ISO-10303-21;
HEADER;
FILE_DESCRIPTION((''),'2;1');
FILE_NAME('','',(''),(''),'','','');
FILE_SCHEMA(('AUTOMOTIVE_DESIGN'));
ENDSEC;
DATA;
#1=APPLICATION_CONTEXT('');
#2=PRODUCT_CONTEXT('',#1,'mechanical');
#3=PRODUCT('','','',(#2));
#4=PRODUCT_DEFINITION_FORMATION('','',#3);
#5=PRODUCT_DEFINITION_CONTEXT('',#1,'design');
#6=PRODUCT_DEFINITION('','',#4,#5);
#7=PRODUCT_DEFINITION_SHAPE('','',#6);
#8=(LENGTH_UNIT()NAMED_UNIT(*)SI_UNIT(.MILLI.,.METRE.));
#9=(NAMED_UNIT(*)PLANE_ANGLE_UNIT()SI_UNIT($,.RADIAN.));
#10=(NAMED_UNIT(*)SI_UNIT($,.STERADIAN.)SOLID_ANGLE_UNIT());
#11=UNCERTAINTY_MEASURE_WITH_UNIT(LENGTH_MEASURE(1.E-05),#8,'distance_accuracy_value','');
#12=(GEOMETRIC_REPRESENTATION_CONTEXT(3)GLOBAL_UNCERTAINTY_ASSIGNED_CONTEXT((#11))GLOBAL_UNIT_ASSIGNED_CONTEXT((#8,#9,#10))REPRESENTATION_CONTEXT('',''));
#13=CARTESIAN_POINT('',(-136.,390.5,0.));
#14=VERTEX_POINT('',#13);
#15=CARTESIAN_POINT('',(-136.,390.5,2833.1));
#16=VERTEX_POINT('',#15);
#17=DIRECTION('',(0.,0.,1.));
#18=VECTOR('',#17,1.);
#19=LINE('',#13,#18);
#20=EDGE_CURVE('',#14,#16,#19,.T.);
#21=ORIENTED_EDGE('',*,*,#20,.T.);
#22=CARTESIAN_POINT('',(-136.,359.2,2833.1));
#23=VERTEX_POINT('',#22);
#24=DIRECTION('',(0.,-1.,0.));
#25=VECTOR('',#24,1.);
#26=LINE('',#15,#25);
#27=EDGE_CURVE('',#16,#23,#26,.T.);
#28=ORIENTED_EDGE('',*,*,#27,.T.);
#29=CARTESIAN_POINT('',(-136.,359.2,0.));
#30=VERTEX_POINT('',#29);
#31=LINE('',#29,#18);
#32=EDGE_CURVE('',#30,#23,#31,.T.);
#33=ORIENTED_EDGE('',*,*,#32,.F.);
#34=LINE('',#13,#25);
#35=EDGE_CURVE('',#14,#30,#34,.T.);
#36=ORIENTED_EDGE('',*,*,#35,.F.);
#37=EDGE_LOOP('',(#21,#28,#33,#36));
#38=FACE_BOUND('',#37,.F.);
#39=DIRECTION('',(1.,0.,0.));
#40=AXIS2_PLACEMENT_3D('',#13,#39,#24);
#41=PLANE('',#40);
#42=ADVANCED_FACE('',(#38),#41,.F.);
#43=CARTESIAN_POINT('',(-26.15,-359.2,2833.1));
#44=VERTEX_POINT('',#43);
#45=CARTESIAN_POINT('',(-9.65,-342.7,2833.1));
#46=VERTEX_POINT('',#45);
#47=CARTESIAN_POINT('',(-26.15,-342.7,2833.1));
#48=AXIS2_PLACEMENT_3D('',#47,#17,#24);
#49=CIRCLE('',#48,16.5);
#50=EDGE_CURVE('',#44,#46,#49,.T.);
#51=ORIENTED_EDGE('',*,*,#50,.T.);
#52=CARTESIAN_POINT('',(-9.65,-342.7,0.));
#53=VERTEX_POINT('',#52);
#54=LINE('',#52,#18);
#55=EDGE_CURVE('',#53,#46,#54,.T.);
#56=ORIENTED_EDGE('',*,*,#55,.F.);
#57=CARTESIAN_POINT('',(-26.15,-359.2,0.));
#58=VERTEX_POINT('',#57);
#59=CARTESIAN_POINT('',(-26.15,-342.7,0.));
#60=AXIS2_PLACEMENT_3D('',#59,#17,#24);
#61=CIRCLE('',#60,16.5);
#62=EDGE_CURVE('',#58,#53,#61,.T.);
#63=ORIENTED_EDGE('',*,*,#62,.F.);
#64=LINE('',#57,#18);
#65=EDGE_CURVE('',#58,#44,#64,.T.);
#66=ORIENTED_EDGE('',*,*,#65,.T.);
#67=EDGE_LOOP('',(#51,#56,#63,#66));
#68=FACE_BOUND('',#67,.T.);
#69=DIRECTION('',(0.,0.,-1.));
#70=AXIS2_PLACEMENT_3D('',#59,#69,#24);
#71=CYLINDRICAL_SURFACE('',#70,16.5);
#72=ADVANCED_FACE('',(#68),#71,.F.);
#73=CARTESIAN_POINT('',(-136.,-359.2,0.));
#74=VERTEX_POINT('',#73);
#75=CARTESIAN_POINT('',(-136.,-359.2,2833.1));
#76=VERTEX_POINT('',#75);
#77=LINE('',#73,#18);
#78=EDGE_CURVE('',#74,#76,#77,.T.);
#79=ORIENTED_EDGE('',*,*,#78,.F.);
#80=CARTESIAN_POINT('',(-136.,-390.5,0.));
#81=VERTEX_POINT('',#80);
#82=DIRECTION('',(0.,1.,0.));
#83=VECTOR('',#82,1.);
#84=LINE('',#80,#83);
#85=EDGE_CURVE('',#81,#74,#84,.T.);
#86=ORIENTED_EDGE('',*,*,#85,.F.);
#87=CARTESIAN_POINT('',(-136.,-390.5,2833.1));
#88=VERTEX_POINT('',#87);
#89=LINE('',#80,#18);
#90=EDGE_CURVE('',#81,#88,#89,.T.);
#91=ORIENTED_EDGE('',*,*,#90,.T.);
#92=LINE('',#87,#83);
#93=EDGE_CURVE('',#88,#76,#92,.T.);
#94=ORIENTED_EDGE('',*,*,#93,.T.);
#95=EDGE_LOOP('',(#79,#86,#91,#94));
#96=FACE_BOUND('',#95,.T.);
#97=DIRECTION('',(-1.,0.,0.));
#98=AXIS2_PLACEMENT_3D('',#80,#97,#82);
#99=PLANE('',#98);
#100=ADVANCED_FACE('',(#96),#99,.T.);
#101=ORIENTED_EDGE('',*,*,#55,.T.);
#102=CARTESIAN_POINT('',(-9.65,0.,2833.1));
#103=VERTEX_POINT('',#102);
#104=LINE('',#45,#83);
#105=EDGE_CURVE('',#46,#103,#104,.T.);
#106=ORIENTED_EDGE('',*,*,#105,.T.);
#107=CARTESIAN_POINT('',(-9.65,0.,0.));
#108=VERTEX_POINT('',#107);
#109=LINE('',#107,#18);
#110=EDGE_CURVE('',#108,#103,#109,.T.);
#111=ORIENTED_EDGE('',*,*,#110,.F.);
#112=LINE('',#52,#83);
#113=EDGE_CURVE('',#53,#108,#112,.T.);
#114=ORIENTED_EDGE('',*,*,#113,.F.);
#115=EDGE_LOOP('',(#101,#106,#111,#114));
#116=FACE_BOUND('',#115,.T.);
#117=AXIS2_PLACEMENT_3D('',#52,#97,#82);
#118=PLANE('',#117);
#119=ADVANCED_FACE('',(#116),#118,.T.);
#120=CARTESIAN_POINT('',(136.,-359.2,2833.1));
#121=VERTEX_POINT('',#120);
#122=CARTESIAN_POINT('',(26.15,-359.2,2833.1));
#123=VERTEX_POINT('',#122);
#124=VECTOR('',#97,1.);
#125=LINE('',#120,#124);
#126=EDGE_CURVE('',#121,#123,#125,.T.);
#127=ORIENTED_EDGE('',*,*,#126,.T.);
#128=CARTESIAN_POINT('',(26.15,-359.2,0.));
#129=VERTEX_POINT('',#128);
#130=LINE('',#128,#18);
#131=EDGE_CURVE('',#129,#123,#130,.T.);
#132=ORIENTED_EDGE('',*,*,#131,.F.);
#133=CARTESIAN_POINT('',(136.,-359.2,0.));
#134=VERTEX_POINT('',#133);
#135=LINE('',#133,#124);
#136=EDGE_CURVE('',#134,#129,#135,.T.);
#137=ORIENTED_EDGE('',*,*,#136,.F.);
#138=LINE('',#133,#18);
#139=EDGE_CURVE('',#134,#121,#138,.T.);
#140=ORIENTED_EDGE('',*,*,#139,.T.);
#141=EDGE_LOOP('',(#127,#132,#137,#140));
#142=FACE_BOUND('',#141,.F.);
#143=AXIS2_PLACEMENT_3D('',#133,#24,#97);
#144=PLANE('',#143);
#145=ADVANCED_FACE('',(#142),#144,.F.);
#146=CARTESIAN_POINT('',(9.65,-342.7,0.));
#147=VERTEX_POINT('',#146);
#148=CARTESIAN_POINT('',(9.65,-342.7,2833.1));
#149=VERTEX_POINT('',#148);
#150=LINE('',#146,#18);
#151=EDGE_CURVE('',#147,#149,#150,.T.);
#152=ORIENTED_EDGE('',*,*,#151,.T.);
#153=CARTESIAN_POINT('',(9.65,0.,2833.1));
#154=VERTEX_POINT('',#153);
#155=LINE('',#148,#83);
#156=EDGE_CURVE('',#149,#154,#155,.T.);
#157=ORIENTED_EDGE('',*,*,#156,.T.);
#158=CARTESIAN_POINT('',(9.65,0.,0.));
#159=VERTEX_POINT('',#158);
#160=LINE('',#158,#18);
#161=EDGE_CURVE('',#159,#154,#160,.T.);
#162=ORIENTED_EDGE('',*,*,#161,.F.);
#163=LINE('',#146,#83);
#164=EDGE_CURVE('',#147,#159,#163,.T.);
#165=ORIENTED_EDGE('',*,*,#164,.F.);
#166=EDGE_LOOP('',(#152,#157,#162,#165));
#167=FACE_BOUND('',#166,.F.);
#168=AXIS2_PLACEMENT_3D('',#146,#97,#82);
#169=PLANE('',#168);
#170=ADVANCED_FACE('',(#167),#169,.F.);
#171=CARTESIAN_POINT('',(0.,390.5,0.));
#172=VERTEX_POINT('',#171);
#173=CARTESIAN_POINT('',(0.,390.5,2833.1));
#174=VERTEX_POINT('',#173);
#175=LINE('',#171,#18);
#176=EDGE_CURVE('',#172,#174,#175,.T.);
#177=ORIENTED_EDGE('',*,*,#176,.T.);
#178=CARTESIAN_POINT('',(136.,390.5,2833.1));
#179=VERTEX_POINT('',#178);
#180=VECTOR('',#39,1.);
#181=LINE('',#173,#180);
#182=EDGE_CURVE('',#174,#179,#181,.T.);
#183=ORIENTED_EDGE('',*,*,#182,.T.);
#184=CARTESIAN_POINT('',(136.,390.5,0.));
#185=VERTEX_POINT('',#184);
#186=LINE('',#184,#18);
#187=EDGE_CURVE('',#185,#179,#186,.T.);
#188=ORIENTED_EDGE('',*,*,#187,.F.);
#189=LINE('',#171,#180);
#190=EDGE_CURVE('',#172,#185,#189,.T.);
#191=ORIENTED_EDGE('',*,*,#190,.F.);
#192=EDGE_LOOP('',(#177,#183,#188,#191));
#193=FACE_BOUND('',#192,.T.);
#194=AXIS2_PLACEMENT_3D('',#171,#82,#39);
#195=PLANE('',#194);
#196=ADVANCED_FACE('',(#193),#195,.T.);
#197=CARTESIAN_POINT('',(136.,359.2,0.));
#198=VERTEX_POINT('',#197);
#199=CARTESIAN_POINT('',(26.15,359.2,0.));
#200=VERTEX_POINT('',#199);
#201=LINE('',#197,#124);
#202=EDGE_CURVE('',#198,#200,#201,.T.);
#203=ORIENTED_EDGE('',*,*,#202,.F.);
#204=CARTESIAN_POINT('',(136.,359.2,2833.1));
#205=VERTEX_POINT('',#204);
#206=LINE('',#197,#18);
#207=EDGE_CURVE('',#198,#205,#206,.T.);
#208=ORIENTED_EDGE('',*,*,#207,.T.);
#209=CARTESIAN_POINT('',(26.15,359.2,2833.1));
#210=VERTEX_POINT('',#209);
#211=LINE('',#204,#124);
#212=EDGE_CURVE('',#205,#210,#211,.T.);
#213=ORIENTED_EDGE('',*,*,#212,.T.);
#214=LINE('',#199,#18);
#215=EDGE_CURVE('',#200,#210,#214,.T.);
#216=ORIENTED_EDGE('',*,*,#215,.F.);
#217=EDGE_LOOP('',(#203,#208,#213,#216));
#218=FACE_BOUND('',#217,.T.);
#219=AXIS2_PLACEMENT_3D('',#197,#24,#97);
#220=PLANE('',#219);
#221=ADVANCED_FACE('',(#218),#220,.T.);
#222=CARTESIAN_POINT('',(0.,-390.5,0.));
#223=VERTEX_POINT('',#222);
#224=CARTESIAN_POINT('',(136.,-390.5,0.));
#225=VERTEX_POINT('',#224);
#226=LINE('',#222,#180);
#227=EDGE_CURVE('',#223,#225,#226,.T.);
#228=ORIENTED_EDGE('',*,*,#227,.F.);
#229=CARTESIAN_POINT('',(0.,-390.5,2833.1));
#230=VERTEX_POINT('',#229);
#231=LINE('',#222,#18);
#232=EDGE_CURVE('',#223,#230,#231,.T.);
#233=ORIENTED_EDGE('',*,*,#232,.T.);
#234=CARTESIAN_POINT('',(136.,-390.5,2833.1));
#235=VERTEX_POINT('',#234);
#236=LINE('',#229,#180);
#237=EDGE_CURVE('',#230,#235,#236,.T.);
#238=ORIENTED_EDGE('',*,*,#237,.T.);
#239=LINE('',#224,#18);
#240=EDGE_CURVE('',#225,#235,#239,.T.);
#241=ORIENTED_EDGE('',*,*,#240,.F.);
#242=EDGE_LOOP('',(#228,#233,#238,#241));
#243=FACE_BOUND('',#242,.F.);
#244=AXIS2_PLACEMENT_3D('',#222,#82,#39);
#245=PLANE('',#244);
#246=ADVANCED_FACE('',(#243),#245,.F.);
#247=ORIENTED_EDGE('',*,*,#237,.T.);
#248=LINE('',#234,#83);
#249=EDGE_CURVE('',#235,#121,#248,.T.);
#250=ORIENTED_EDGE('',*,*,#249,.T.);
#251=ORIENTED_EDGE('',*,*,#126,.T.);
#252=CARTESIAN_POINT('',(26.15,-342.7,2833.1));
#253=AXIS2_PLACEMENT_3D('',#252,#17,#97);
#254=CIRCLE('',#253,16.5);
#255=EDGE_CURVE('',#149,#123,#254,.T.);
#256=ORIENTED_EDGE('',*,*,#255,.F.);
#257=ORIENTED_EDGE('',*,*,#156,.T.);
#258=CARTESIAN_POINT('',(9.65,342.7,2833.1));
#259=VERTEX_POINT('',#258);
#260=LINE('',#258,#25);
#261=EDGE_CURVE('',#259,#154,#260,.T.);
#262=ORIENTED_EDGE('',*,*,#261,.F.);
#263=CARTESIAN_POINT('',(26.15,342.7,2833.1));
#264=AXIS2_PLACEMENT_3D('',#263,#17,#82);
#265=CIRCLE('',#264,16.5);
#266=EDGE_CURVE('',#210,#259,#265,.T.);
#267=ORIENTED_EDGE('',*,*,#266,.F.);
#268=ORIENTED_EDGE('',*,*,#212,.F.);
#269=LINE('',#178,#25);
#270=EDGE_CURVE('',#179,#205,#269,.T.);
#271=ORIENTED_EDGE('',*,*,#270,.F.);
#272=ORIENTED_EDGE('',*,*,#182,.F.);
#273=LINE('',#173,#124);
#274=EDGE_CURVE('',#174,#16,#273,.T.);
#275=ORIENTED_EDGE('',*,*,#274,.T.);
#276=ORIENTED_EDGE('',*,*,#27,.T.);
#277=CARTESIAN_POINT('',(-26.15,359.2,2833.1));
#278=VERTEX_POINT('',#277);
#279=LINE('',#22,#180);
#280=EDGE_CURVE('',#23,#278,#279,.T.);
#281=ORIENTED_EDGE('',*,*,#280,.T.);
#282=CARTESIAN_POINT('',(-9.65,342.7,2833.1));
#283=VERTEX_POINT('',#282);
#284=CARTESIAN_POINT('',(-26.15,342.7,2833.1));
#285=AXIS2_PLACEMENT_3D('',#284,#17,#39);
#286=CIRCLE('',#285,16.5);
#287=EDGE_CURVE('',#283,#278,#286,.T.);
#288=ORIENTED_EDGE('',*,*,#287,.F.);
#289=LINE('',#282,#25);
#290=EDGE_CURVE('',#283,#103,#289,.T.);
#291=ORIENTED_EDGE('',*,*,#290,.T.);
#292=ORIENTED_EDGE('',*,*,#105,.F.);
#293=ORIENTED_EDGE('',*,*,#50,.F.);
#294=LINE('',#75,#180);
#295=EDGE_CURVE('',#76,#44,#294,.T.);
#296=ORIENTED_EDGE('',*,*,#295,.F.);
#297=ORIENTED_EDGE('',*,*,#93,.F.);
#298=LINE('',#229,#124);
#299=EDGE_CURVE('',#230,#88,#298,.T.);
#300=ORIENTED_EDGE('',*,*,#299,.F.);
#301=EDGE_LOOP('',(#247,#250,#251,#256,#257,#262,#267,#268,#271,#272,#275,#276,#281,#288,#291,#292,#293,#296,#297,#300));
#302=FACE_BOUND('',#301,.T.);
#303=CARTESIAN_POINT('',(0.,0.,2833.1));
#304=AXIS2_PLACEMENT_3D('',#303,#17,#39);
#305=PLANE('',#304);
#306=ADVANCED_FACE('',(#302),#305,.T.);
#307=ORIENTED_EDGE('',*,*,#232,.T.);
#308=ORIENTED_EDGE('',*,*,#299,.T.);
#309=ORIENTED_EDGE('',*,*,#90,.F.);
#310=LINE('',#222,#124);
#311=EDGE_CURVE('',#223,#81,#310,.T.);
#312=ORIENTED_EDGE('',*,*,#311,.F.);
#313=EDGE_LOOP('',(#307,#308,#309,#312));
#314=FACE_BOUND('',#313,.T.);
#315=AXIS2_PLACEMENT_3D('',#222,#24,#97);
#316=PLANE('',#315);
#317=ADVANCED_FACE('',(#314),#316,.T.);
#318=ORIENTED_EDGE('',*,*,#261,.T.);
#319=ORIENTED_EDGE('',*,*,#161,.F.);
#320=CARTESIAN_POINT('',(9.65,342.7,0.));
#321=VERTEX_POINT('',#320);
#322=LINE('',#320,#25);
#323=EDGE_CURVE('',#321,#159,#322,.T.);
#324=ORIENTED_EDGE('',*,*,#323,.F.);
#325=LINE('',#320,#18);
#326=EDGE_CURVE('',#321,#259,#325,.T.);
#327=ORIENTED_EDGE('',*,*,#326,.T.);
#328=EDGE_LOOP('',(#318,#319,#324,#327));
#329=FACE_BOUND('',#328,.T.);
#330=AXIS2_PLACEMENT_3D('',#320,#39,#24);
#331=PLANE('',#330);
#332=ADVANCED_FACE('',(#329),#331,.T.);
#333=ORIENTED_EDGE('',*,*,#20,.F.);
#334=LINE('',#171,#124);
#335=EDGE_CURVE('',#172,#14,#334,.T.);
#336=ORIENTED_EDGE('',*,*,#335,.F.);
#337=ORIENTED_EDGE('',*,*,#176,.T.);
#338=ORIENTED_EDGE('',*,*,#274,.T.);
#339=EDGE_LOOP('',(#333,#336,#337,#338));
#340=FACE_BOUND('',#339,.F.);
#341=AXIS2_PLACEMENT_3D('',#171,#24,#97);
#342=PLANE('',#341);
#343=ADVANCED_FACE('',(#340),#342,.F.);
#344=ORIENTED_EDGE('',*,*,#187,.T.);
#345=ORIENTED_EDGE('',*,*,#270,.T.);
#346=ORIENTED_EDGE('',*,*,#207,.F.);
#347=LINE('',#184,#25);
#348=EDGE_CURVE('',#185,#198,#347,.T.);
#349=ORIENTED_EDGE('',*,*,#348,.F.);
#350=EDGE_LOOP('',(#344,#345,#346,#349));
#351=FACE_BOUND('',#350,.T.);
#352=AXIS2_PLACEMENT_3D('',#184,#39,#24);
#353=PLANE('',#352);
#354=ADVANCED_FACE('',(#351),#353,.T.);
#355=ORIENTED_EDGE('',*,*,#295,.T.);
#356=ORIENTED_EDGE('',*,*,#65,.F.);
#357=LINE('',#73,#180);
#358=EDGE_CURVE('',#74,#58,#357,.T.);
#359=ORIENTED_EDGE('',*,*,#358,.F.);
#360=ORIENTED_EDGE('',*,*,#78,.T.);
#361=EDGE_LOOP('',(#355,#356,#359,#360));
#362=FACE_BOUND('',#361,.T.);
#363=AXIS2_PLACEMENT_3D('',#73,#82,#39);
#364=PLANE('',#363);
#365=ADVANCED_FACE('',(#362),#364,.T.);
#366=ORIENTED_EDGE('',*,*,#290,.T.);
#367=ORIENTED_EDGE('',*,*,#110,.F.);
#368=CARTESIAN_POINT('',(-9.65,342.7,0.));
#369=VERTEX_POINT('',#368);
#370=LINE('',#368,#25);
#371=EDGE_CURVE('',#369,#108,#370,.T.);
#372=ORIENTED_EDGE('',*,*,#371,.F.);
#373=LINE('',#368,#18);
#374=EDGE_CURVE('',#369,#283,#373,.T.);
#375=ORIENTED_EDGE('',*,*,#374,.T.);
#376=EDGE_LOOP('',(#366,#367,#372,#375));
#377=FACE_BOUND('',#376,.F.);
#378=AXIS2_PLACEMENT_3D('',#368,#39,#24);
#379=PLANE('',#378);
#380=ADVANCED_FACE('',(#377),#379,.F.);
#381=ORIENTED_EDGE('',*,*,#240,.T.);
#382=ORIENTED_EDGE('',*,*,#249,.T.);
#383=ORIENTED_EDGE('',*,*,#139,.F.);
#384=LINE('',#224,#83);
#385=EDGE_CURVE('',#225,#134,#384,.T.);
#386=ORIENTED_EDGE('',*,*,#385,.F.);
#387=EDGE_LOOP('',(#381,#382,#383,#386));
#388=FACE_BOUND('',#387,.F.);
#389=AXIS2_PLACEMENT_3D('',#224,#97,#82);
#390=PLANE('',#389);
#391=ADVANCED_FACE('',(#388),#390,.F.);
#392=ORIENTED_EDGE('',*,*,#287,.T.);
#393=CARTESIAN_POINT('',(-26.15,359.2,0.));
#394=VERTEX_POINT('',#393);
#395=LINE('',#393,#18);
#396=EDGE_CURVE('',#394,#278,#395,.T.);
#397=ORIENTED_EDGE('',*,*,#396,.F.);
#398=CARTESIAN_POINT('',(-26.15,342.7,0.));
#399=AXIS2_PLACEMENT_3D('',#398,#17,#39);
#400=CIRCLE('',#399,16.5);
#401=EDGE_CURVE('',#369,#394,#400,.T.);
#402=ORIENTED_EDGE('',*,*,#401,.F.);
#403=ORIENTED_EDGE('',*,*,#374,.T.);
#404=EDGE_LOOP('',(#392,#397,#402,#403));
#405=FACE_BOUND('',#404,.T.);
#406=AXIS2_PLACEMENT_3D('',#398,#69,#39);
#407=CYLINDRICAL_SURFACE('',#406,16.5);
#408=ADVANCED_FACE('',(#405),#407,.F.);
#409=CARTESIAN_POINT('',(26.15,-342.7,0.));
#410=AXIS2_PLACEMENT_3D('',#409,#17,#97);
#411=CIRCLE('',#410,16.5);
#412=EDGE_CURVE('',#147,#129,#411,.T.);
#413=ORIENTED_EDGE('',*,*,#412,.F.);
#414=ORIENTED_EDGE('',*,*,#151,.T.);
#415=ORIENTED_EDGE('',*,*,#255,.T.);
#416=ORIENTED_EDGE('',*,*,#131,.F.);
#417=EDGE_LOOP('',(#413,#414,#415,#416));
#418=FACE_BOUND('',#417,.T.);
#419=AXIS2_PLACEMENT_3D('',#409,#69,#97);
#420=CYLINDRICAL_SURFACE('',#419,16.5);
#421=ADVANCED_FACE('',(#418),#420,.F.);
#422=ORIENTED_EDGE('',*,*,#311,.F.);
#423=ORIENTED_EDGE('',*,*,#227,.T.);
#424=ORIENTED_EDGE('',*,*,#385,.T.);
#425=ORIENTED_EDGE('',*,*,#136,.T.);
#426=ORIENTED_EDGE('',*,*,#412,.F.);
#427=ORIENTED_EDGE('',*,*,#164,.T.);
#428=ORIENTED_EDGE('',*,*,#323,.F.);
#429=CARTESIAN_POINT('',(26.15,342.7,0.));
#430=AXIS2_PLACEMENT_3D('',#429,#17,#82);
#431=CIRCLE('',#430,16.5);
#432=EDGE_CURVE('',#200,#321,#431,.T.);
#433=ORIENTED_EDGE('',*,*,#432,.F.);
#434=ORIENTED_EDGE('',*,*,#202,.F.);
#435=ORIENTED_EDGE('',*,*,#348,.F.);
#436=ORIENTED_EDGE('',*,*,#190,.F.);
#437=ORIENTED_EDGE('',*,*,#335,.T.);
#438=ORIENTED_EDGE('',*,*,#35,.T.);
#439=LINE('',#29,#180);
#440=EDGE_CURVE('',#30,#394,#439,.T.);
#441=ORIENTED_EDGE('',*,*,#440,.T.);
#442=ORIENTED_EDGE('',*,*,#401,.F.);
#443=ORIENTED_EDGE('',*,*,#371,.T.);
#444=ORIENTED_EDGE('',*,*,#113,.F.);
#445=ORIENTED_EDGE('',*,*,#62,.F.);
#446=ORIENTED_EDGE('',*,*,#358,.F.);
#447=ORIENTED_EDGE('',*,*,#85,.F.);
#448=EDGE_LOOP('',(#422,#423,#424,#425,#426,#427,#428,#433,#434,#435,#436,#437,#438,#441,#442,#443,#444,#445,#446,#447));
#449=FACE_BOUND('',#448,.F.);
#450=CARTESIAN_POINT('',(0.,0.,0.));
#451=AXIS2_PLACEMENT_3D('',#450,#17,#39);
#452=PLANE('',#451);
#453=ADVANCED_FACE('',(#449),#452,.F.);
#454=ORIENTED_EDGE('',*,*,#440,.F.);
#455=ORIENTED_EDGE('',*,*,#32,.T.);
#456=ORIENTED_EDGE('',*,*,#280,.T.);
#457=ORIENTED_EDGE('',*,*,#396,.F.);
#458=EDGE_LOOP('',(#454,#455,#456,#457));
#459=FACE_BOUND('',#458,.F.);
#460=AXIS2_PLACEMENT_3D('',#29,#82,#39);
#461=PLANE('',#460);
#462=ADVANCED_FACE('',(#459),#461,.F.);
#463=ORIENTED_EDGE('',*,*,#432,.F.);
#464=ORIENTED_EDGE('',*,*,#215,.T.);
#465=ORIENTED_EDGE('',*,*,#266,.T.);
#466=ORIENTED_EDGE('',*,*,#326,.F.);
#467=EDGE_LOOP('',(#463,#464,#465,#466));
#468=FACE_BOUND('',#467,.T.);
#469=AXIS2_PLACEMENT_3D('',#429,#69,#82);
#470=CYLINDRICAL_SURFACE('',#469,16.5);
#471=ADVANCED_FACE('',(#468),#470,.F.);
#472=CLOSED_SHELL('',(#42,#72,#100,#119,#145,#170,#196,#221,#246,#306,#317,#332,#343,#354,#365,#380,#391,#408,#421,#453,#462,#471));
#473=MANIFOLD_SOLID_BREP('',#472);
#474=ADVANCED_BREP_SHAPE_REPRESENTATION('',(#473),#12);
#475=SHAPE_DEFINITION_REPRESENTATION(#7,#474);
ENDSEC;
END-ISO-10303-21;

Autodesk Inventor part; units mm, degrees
ref_plane "YZ Plane" through (0, 0, 0) normal (1, 0, 0) x (0, 1, 0)
ref_plane "Start plane" through (0, 0, 0) normal (0, 0, 1) x (1, 0, 0)
ref_plane "End plane" through (0, 0, 2833.1) normal (0, 0, 1) x (1, 0, 0)
sketch "Sketch" plane through (0, 0, 0) normal (0, 0, 1) x (1, 0, 0)
  line L0 (-136, -390.5) -> (-136, -359.2)
  line L1 (-136, -359.2) -> (-26.15, -359.2)
  line L2 (-9.65, -342.7) -> (-9.65, 0)
  line L3 (-9.65, 0) -> (0, 0) construction
  line L4 (0, 0) -> (0, -390.5) construction
  line L5 (0, -390.5) -> (-136, -390.5)
  line L6 (-60, 0) -> (80, 0) construction
  line L7 (0, -60) -> (0, 80) construction
  line L8 (136, -390.5) -> (136, -359.2)
  line L9 (136, -359.2) -> (26.15, -359.2)
  line L10 (9.65, -342.7) -> (9.65, 0)
  line L11 (9.65, 0) -> (0, 0) construction
  line L12 (0, -390.5) -> (136, -390.5)
  line L13 (-136, 390.5) -> (-136, 359.2)
  line L14 (-136, 359.2) -> (-26.15, 359.2)
  line L15 (-9.65, 342.7) -> (-9.65, 0)
  line L16 (0, 390.5) -> (-136, 390.5)
  line L17 (136, 390.5) -> (136, 359.2)
  line L18 (136, 359.2) -> (26.15, 359.2)
  line L19 (0, 390.5) -> (136, 390.5)
  line L20 (9.65, 342.7) -> (9.65, 0)
  arc A0 (-9.65, 342.7) -> (-26.15, 359.2) centre (-26.15, 342.7) ccw
  arc A1 (26.15, 359.2) -> (9.65, 342.7) centre (26.15, 342.7) ccw
  arc A2 (9.65, -342.7) -> (26.15, -359.2) centre (26.15, -342.7) ccw
  arc A3 (-26.15, -359.2) -> (-9.65, -342.7) centre (-26.15, -342.7) ccw
  line L21 (0, 108) -> (0, -88) construction
  line L22 (-88, 0) -> (108, 0) construction
  point P0 (-9.65, -359.2)
  point P1 (9.65, -359.2)
  point P2 (-9.65, 359.2)
  point P3 (9.65, 359.2)
  dimension "d1" = 390.5
  dimension "d2" = 31.3
  dimension "d3" = 136
  dimension "d4" = 9.65
  dimension "d10" = 16.5
extrude "Body" add sketch "Sketch" along normal up to surface (2833.1 mm away) from surface at 0
sketch "Sketch4" plane through (0, 0, 0) normal (0, 0, 1) x (1, 0, 0)
  line L0 (0, 0) -> (10, 0)
ref_plane "Work Plane3" through (0, 0, 0) normal (0, -1, 0) x (1, 0, 0)
sketch "Sketch5" plane through (0, 0, 0) normal (0, -1, 0) x (1, 0, 0)
  line L0 (-2, 0) -> (12, 0) projected
  line L1 (-2, 2833.1) -> (12, 2833.1) projected
  dimension "d14" = 2833.1
equation "\"d1\" = 0.5 * G_H"
equation "\"d2\" = G_T1"
equation "\"d3\" = 0.5 * G_W"
equation "\"d4\" = 0.5 * G_T"
equation "\"d10\" = G_IR"
equation "\"d5\" = G_L"
equation "\"G_W\" = 272"
equation "\"G_H\" = 781"
equation "\"G_T\" = 19.3"
equation "\"G_T1\" = 31.3"
equation "\"G_IR\" = 16.5"
equation "\"G_L\" = d14"
equation "\"G_OFFSET_START\" = 0"
equation "\"G_OFFSET_END\" = 0"
equation "\"d12\" = G_OFFSET_END + B_L"
equation "\"B_L\" = 2833.1"
properties part number "AS 3679-1990 - 760 UB - 244 - 2833.1" material "Steel, Mild"
